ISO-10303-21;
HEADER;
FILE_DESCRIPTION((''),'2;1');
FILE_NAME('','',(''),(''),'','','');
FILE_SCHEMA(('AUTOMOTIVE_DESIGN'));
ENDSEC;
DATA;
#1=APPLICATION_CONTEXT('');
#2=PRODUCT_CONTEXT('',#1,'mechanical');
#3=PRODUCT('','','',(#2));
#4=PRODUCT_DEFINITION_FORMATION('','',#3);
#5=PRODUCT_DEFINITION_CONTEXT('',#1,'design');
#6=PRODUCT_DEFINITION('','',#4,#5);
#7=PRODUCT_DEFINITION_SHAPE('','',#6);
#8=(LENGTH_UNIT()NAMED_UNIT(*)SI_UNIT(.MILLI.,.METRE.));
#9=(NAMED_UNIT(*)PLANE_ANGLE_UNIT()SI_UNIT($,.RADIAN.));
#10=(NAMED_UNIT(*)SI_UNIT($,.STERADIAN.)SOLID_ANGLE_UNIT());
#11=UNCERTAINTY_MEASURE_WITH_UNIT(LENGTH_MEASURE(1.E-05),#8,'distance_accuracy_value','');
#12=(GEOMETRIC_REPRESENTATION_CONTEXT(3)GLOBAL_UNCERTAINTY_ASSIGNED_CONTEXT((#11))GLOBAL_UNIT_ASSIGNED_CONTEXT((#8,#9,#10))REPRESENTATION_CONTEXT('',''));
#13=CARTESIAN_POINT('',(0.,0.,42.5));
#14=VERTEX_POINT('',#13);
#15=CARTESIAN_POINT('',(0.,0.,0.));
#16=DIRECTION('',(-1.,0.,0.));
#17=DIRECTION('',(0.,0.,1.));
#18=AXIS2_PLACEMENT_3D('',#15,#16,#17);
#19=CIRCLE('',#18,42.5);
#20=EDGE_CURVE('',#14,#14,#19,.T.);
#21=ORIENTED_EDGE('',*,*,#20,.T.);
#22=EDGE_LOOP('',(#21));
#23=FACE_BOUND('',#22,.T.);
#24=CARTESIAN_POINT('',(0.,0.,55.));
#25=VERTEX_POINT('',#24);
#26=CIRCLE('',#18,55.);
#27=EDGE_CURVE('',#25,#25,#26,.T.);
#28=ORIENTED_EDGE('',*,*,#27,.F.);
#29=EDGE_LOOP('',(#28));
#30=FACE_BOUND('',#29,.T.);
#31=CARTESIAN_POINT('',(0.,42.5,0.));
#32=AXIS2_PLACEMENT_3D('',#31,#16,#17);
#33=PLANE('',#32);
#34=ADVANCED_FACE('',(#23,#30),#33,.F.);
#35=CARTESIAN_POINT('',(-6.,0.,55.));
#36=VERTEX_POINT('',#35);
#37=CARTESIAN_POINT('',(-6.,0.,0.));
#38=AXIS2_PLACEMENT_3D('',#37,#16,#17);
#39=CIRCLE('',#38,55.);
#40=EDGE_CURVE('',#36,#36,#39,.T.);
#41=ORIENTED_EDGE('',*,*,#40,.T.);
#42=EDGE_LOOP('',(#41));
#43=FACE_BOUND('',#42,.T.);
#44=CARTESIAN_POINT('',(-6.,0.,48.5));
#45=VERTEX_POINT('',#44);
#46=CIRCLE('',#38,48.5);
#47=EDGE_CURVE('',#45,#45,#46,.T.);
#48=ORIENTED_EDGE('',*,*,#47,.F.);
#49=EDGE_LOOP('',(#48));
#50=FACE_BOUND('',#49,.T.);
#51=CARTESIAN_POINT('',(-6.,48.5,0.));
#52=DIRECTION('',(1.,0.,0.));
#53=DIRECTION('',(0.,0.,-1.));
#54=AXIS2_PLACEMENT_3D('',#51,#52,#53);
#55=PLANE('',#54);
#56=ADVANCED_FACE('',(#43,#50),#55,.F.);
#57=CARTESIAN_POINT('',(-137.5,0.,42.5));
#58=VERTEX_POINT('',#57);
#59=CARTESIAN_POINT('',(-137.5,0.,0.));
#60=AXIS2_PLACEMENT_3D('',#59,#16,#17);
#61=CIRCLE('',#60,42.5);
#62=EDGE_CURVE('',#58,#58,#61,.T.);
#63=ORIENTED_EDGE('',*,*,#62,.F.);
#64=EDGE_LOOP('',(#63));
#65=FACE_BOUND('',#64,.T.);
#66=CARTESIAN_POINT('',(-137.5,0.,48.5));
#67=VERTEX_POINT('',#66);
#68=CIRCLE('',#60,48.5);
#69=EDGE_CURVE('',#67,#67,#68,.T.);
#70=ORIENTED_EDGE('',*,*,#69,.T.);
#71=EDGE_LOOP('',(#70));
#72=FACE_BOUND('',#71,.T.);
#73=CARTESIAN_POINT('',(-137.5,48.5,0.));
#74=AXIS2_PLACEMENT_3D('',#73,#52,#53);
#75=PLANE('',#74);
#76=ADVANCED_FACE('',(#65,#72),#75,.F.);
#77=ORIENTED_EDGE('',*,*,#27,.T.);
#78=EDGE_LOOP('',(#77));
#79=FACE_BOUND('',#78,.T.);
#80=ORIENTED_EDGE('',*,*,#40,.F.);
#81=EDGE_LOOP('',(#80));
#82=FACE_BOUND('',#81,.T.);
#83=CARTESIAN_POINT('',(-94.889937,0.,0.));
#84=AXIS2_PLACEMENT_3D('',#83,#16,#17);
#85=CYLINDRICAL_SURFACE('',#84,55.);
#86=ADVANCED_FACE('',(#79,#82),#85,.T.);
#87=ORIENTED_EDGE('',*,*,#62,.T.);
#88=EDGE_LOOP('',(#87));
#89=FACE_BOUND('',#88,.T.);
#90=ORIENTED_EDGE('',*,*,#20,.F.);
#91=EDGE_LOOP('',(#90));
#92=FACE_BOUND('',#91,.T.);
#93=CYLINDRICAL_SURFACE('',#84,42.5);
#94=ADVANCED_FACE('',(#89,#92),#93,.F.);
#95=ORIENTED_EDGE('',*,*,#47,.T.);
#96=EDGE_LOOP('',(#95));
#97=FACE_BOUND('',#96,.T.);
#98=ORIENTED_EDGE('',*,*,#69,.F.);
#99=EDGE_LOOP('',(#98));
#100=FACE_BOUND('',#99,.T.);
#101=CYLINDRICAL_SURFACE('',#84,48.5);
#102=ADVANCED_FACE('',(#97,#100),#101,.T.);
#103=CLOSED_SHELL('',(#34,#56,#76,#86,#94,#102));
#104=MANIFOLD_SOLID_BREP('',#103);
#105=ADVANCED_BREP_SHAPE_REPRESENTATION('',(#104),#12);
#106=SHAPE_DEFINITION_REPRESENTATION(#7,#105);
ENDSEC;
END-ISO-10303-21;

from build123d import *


with BuildPart() as part:
    # Sketch1 → Revolve1 (revolve)
    with BuildSketch(Plane.XY):
        Polygon((-137.5, 42.5), (0, 42.5), (0, 55), (-6, 55), (-6, 48.5), (-137.5, 48.5), align=None)
    revolve(axis=Axis((-94.889937107, 0, 0), (1, 0, 0)))


solid = part.part
